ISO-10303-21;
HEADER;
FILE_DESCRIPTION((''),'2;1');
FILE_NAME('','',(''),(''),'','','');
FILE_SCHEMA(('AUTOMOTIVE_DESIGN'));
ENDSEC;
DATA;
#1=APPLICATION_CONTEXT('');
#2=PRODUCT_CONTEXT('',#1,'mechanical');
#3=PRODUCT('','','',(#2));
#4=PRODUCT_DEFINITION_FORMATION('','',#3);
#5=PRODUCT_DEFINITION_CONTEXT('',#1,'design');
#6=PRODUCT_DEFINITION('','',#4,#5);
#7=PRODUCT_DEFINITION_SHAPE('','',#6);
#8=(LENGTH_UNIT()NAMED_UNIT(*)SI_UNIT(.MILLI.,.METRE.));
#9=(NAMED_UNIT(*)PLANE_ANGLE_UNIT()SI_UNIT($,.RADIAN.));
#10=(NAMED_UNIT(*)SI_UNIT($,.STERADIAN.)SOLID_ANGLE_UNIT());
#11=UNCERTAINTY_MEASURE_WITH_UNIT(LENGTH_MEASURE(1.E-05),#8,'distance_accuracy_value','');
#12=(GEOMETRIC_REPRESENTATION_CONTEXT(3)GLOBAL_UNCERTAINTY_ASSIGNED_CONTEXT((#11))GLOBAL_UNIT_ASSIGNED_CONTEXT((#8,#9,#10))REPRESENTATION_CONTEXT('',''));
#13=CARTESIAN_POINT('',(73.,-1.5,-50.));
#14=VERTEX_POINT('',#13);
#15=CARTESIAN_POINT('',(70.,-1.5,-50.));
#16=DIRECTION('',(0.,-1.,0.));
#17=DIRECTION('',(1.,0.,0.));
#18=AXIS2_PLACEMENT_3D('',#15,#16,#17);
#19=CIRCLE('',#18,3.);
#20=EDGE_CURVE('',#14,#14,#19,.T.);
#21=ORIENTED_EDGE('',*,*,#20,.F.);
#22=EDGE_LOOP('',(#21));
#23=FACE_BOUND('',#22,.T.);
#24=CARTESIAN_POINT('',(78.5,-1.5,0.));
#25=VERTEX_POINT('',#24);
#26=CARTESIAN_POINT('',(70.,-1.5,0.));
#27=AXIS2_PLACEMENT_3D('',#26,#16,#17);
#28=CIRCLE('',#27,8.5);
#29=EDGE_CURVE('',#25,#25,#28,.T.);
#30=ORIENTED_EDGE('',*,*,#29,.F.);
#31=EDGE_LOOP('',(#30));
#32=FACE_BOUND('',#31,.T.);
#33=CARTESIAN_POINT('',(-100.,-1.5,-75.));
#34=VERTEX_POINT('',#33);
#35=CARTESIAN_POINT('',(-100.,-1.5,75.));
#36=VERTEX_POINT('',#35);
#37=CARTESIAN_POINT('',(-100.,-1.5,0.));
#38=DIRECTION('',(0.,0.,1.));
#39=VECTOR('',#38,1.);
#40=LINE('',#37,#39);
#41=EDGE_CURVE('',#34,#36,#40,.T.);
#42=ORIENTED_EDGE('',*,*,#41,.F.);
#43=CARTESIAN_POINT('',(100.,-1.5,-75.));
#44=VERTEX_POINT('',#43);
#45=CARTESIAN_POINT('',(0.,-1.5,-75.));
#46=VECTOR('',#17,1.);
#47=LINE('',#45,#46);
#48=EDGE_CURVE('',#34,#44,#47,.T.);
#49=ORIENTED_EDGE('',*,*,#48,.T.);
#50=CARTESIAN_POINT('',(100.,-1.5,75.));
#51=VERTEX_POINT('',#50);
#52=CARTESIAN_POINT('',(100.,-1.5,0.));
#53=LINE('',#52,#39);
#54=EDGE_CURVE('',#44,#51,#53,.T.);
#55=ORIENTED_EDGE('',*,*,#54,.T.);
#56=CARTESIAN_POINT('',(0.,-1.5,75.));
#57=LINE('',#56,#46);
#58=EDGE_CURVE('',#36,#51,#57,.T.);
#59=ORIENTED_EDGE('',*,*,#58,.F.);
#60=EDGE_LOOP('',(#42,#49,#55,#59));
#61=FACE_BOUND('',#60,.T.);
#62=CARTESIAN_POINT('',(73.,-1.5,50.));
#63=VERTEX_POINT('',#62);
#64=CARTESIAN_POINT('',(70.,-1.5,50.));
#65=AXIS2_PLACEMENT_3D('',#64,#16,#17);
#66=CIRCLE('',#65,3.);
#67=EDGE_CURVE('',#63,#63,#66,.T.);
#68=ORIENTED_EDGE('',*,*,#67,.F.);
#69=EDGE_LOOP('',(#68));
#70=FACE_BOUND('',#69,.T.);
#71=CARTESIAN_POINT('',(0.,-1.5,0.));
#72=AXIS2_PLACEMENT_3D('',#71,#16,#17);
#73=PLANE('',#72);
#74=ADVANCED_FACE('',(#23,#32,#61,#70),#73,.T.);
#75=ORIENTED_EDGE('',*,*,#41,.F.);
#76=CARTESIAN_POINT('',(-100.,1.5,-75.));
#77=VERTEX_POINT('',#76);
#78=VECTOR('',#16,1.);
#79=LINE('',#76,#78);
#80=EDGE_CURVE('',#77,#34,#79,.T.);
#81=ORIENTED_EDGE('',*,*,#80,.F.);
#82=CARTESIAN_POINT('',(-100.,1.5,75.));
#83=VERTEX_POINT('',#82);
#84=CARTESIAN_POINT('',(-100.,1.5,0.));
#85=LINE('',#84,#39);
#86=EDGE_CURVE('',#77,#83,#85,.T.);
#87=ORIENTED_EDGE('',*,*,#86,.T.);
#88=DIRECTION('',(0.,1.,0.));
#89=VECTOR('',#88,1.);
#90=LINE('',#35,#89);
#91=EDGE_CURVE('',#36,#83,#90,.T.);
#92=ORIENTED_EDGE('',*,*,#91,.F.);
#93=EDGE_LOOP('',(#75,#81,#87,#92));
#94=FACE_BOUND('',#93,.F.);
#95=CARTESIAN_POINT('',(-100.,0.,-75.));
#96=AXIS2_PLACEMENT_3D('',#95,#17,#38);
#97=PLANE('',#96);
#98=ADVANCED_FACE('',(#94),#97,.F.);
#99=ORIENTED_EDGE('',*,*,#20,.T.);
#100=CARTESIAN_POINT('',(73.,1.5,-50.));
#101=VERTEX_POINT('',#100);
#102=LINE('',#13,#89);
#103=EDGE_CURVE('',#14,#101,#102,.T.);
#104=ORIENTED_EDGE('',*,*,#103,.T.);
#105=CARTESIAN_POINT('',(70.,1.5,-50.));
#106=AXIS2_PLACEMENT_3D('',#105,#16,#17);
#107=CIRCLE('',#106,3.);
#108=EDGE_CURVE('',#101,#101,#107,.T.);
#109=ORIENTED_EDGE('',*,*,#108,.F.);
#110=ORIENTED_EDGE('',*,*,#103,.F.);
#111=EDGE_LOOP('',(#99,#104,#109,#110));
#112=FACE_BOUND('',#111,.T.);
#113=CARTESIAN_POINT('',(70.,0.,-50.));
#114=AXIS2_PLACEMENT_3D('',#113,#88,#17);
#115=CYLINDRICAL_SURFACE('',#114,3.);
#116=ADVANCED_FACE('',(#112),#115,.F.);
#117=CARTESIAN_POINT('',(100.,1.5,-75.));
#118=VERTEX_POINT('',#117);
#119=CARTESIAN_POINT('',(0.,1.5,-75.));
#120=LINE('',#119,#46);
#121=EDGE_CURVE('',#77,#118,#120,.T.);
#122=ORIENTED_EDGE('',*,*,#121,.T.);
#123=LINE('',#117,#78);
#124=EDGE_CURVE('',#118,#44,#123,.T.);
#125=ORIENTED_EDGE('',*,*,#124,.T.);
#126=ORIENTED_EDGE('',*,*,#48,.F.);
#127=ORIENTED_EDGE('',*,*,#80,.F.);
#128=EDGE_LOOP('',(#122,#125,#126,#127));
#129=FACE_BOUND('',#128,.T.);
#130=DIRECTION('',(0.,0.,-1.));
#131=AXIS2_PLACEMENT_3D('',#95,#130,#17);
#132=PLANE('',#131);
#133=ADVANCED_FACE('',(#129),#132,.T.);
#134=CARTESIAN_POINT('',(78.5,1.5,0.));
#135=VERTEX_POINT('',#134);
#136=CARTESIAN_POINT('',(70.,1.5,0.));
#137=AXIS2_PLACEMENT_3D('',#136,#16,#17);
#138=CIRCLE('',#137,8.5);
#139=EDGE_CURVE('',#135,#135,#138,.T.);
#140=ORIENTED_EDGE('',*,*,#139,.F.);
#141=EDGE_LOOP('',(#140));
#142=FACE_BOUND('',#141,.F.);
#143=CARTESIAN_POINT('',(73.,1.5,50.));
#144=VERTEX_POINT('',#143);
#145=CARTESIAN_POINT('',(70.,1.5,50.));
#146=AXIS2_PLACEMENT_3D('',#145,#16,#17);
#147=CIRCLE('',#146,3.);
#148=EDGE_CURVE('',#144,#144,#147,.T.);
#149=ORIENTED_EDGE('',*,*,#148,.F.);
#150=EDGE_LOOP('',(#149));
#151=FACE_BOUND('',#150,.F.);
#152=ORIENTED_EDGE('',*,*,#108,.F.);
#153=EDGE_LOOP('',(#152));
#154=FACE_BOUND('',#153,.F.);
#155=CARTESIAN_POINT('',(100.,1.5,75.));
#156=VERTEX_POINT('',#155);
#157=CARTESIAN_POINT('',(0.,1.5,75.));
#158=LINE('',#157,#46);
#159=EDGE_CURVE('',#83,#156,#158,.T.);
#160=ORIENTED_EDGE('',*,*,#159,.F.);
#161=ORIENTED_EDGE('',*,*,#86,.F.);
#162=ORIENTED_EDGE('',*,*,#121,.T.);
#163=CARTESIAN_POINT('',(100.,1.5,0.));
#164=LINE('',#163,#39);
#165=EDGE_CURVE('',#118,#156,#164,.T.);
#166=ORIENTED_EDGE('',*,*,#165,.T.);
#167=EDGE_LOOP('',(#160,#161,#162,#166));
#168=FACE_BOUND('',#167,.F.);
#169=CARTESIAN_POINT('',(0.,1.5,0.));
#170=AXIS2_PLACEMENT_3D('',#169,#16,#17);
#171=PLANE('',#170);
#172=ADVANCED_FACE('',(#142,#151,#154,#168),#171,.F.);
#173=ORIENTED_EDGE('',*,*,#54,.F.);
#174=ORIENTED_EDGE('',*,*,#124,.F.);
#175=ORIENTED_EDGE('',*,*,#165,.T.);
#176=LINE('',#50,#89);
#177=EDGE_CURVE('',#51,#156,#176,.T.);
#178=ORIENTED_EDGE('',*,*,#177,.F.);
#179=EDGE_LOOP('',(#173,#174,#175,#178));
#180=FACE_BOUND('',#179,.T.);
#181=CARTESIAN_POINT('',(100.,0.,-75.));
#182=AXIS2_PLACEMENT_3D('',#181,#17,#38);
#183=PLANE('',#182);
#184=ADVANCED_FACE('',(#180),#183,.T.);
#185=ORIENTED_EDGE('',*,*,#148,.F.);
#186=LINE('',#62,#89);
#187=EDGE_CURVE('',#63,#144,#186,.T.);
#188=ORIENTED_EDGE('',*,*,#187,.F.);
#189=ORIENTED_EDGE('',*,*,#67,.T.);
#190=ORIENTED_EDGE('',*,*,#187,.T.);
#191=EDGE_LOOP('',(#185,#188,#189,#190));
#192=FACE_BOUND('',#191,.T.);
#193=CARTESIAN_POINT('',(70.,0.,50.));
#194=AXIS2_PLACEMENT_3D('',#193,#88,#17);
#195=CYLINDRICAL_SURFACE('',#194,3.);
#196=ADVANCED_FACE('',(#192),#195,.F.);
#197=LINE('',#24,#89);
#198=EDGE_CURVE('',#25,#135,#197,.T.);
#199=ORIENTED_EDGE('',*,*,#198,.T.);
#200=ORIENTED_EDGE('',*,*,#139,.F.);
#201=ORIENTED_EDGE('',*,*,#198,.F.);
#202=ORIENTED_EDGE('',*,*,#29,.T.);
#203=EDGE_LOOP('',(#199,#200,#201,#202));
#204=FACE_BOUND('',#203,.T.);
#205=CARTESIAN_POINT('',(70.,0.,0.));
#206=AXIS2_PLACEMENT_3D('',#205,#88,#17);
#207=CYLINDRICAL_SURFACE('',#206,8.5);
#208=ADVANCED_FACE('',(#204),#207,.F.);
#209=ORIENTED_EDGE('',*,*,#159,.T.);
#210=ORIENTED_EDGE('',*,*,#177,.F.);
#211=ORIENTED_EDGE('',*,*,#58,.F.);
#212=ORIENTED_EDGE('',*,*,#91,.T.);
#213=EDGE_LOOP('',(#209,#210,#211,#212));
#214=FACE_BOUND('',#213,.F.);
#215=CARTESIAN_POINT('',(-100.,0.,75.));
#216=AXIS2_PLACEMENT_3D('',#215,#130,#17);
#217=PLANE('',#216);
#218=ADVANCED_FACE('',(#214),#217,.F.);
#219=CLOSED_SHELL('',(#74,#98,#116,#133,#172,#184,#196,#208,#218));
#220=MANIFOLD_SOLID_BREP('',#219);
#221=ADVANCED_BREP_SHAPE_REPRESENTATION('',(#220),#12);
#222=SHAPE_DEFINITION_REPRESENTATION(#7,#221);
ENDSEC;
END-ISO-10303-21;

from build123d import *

# Parameters (mm, degrees)
F0_W     = 200
F0_H     = 150
F0_R     = 3
F0_R_2   = 8.5
F1_DEPTH = 1.5


with BuildPart() as f1:
    # F0 (on Front) → F1 (new body, symmetric)
    with BuildSketch(Plane.XZ):
        Rectangle(F0_W, F0_H)
        with Locations((70, -50)):
            Circle(F0_R, mode=Mode.SUBTRACT)
        with Locations((70, 0)):
            Circle(F0_R_2, mode=Mode.SUBTRACT)
        with Locations((70, 50)):
            Circle(F0_R, mode=Mode.SUBTRACT)
    extrude(amount=F1_DEPTH, both=True)


solid = f1.part
